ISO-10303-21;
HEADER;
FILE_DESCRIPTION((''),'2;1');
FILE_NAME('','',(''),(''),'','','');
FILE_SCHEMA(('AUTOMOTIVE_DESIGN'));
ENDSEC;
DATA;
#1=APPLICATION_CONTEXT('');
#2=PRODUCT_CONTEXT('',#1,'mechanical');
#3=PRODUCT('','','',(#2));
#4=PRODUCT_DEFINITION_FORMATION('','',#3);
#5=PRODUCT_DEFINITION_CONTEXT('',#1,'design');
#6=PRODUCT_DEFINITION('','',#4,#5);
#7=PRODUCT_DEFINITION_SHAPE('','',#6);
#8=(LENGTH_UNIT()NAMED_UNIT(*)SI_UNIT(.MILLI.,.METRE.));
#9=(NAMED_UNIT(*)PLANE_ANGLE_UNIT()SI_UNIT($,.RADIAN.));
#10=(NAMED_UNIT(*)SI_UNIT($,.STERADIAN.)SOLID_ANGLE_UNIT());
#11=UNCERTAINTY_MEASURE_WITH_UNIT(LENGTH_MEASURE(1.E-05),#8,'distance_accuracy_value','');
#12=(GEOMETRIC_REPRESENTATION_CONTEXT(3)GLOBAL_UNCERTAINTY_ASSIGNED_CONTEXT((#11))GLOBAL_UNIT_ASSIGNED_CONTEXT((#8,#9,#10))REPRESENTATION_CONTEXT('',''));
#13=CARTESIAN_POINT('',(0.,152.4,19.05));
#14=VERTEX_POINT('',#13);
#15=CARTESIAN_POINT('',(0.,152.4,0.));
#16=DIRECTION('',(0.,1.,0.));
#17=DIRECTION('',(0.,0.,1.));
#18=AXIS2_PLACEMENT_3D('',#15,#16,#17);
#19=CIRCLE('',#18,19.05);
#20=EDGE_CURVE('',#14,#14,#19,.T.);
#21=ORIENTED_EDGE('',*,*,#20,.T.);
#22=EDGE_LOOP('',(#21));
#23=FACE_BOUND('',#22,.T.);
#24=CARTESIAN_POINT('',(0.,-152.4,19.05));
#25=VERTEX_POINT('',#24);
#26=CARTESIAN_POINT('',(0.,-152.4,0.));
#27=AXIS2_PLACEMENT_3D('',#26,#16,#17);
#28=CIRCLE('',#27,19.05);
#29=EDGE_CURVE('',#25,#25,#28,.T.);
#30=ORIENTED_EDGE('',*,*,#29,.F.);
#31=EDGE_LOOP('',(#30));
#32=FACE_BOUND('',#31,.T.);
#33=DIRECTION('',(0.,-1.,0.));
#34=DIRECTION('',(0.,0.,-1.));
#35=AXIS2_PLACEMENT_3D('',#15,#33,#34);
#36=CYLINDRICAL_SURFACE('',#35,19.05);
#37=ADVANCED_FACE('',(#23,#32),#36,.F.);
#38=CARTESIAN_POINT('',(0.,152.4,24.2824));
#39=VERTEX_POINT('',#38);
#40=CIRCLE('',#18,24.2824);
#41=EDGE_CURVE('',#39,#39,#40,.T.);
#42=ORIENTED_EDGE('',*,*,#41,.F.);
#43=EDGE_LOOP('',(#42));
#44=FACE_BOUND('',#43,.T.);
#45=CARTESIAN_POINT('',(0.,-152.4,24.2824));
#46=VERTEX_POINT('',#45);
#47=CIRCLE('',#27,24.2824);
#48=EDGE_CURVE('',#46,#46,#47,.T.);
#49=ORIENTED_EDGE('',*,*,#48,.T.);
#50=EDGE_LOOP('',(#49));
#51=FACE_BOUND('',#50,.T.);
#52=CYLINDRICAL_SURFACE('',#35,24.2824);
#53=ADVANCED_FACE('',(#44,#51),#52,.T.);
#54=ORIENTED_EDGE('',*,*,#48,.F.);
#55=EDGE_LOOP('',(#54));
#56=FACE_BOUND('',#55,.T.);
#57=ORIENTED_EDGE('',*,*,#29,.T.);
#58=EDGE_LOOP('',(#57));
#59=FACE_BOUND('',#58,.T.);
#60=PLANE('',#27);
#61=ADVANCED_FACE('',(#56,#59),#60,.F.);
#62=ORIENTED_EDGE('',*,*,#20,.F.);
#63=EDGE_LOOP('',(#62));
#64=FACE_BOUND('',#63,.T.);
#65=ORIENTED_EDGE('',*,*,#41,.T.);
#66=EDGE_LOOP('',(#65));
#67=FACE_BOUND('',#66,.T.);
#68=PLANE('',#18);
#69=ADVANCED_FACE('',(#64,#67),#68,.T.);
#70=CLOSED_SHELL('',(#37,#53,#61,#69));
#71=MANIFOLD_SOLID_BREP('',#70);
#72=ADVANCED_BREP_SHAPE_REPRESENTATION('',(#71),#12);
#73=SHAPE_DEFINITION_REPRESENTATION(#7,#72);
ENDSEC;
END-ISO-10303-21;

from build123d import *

# Parameters (mm, degrees)
SKETCH1_R           = 24.2824
SKETCH1_R_2         = 19.05
BOSS_EXTRUDE1_DEPTH = 152.4


with BuildPart() as part:
    # Sketch1 → Boss-Extrude1 (new body, symmetric)
    with BuildSketch(Plane(origin=(0, 0, 0), x_dir=(1, 0, 0), z_dir=(0, 1, 0))):
        Circle(SKETCH1_R)
        Circle(SKETCH1_R_2, mode=Mode.SUBTRACT)
    extrude(amount=BOSS_EXTRUDE1_DEPTH, both=True)


solid = part.part
